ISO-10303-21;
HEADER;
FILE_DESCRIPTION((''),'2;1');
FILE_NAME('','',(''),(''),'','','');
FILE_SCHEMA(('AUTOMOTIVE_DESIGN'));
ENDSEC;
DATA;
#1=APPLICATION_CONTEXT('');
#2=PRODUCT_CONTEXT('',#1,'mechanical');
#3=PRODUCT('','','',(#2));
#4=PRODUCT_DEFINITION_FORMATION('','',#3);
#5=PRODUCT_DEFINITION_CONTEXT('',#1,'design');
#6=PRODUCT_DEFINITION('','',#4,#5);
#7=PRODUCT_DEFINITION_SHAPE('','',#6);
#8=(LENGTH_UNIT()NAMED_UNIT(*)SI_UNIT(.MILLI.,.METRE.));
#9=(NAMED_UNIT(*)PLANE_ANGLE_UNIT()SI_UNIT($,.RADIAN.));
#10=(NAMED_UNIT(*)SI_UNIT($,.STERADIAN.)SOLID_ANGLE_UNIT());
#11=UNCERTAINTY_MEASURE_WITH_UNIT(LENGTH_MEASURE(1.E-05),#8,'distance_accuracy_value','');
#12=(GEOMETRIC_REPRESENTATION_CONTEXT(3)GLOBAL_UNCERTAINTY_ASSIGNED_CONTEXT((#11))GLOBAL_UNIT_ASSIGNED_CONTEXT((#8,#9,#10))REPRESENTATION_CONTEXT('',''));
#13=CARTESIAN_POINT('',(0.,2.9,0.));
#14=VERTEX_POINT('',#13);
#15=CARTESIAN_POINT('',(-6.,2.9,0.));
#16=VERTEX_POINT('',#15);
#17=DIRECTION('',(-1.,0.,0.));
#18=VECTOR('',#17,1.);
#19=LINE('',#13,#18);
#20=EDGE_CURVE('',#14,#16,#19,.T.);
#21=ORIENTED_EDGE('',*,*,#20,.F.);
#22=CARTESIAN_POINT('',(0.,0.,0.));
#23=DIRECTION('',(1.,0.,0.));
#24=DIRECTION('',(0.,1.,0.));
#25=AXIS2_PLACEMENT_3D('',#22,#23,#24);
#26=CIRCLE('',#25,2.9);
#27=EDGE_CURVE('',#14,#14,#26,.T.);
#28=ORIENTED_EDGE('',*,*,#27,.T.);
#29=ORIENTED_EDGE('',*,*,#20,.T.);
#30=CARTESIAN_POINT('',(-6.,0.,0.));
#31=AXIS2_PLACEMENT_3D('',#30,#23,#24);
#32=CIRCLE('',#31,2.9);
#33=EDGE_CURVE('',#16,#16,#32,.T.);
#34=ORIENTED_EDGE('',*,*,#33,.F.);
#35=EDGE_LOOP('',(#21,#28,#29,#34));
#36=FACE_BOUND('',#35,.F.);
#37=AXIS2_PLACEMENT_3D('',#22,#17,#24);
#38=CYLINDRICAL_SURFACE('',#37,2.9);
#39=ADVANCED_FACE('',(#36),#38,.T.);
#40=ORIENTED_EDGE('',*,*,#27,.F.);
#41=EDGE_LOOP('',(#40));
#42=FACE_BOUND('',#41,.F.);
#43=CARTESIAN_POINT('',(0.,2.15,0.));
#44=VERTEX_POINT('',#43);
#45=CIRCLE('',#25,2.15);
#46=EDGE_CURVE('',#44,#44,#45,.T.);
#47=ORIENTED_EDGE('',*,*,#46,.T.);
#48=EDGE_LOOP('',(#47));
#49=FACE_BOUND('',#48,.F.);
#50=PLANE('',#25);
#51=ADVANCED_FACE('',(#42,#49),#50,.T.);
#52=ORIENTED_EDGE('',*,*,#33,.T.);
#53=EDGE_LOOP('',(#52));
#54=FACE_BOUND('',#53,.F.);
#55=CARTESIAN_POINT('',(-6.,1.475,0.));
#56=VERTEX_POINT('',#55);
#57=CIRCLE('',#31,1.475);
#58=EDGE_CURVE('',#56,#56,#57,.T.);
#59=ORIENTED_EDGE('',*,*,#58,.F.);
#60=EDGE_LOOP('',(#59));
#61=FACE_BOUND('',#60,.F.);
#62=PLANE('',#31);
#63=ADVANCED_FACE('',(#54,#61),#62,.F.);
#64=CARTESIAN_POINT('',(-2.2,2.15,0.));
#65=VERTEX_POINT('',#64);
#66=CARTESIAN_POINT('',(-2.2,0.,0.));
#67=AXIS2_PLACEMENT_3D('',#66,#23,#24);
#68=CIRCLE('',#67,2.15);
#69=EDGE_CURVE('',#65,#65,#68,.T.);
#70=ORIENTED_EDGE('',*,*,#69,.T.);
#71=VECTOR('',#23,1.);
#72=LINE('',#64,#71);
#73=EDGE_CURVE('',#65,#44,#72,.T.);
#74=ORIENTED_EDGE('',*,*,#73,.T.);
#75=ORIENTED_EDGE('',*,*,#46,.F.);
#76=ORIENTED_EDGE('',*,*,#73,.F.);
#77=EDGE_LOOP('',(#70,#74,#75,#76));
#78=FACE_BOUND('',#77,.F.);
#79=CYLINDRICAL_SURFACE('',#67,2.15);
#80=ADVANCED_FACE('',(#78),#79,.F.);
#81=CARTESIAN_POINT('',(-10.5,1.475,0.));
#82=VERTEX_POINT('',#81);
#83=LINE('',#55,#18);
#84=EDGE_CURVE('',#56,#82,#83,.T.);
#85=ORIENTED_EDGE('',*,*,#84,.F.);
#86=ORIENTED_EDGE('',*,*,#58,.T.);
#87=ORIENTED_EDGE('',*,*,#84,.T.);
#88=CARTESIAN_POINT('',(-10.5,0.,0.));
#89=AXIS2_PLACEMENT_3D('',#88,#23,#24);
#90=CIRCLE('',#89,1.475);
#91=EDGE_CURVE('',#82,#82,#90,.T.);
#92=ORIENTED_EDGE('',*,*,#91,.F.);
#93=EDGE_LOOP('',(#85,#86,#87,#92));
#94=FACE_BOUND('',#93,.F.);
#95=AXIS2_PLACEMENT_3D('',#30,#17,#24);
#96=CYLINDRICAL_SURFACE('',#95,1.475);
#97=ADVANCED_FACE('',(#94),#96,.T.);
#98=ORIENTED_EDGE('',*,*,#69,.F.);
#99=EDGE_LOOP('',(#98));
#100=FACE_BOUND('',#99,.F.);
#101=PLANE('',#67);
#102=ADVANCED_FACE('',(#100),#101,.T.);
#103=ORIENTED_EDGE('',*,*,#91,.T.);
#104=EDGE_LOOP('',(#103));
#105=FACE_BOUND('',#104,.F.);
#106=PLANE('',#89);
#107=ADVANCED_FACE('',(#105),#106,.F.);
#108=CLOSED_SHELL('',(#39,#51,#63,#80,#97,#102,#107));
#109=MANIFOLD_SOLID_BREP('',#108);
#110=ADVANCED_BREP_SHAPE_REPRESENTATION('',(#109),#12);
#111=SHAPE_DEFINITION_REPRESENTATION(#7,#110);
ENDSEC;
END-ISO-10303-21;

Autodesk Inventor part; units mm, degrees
ref_plane "YZ Plane" through (0, 0, 0) normal (1, 0, 0) x (0, 1, 0)
ref_plane "XZ Plane" through (0, 0, 0) normal (0, 1, 0) x (-1, 0, 0)
ref_plane "XY Plane" through (0, 0, 0) normal (0, 0, 1) x (1, 0, 0)
sketch "Sketch1" plane through (0, 0, 0) normal (0, 0, 1) x (1, 0, 0)
  line L0 (-2.2, 0) -> (-2.2, 2.15)
  line L1 (-2.2, 2.15) -> (0, 2.15)
  line L2 (0, 2.15) -> (0, 2.9)
  line L3 (0, 2.9) -> (-6, 2.9)
  line L4 (-6, 2.9) -> (-6, 1.475)
  line L5 (-6, 1.475) -> (-10.5, 1.475)
  line L6 (-10.5, 1.475) -> (-10.5, 0)
  line L7 (-10.5, 0) -> (-2.2, 0)
  point P0 (0, 0)
  point P1 (-6.35, 0)
  point P2 (0, 2.525)
  dimension "d0" = 5.8
  dimension "d2" = 4.3
  dimension "d3" = 2.2
  dimension "d4" = 4.5
  dimension "d6" = 2.95
  dimension "d7" = 6
revolve "Revolution1" add sketch "Sketch1" angle 360 about axis through (-10.5, 0, 0) along (1, 0, 0)
properties part number "MagHolder"
